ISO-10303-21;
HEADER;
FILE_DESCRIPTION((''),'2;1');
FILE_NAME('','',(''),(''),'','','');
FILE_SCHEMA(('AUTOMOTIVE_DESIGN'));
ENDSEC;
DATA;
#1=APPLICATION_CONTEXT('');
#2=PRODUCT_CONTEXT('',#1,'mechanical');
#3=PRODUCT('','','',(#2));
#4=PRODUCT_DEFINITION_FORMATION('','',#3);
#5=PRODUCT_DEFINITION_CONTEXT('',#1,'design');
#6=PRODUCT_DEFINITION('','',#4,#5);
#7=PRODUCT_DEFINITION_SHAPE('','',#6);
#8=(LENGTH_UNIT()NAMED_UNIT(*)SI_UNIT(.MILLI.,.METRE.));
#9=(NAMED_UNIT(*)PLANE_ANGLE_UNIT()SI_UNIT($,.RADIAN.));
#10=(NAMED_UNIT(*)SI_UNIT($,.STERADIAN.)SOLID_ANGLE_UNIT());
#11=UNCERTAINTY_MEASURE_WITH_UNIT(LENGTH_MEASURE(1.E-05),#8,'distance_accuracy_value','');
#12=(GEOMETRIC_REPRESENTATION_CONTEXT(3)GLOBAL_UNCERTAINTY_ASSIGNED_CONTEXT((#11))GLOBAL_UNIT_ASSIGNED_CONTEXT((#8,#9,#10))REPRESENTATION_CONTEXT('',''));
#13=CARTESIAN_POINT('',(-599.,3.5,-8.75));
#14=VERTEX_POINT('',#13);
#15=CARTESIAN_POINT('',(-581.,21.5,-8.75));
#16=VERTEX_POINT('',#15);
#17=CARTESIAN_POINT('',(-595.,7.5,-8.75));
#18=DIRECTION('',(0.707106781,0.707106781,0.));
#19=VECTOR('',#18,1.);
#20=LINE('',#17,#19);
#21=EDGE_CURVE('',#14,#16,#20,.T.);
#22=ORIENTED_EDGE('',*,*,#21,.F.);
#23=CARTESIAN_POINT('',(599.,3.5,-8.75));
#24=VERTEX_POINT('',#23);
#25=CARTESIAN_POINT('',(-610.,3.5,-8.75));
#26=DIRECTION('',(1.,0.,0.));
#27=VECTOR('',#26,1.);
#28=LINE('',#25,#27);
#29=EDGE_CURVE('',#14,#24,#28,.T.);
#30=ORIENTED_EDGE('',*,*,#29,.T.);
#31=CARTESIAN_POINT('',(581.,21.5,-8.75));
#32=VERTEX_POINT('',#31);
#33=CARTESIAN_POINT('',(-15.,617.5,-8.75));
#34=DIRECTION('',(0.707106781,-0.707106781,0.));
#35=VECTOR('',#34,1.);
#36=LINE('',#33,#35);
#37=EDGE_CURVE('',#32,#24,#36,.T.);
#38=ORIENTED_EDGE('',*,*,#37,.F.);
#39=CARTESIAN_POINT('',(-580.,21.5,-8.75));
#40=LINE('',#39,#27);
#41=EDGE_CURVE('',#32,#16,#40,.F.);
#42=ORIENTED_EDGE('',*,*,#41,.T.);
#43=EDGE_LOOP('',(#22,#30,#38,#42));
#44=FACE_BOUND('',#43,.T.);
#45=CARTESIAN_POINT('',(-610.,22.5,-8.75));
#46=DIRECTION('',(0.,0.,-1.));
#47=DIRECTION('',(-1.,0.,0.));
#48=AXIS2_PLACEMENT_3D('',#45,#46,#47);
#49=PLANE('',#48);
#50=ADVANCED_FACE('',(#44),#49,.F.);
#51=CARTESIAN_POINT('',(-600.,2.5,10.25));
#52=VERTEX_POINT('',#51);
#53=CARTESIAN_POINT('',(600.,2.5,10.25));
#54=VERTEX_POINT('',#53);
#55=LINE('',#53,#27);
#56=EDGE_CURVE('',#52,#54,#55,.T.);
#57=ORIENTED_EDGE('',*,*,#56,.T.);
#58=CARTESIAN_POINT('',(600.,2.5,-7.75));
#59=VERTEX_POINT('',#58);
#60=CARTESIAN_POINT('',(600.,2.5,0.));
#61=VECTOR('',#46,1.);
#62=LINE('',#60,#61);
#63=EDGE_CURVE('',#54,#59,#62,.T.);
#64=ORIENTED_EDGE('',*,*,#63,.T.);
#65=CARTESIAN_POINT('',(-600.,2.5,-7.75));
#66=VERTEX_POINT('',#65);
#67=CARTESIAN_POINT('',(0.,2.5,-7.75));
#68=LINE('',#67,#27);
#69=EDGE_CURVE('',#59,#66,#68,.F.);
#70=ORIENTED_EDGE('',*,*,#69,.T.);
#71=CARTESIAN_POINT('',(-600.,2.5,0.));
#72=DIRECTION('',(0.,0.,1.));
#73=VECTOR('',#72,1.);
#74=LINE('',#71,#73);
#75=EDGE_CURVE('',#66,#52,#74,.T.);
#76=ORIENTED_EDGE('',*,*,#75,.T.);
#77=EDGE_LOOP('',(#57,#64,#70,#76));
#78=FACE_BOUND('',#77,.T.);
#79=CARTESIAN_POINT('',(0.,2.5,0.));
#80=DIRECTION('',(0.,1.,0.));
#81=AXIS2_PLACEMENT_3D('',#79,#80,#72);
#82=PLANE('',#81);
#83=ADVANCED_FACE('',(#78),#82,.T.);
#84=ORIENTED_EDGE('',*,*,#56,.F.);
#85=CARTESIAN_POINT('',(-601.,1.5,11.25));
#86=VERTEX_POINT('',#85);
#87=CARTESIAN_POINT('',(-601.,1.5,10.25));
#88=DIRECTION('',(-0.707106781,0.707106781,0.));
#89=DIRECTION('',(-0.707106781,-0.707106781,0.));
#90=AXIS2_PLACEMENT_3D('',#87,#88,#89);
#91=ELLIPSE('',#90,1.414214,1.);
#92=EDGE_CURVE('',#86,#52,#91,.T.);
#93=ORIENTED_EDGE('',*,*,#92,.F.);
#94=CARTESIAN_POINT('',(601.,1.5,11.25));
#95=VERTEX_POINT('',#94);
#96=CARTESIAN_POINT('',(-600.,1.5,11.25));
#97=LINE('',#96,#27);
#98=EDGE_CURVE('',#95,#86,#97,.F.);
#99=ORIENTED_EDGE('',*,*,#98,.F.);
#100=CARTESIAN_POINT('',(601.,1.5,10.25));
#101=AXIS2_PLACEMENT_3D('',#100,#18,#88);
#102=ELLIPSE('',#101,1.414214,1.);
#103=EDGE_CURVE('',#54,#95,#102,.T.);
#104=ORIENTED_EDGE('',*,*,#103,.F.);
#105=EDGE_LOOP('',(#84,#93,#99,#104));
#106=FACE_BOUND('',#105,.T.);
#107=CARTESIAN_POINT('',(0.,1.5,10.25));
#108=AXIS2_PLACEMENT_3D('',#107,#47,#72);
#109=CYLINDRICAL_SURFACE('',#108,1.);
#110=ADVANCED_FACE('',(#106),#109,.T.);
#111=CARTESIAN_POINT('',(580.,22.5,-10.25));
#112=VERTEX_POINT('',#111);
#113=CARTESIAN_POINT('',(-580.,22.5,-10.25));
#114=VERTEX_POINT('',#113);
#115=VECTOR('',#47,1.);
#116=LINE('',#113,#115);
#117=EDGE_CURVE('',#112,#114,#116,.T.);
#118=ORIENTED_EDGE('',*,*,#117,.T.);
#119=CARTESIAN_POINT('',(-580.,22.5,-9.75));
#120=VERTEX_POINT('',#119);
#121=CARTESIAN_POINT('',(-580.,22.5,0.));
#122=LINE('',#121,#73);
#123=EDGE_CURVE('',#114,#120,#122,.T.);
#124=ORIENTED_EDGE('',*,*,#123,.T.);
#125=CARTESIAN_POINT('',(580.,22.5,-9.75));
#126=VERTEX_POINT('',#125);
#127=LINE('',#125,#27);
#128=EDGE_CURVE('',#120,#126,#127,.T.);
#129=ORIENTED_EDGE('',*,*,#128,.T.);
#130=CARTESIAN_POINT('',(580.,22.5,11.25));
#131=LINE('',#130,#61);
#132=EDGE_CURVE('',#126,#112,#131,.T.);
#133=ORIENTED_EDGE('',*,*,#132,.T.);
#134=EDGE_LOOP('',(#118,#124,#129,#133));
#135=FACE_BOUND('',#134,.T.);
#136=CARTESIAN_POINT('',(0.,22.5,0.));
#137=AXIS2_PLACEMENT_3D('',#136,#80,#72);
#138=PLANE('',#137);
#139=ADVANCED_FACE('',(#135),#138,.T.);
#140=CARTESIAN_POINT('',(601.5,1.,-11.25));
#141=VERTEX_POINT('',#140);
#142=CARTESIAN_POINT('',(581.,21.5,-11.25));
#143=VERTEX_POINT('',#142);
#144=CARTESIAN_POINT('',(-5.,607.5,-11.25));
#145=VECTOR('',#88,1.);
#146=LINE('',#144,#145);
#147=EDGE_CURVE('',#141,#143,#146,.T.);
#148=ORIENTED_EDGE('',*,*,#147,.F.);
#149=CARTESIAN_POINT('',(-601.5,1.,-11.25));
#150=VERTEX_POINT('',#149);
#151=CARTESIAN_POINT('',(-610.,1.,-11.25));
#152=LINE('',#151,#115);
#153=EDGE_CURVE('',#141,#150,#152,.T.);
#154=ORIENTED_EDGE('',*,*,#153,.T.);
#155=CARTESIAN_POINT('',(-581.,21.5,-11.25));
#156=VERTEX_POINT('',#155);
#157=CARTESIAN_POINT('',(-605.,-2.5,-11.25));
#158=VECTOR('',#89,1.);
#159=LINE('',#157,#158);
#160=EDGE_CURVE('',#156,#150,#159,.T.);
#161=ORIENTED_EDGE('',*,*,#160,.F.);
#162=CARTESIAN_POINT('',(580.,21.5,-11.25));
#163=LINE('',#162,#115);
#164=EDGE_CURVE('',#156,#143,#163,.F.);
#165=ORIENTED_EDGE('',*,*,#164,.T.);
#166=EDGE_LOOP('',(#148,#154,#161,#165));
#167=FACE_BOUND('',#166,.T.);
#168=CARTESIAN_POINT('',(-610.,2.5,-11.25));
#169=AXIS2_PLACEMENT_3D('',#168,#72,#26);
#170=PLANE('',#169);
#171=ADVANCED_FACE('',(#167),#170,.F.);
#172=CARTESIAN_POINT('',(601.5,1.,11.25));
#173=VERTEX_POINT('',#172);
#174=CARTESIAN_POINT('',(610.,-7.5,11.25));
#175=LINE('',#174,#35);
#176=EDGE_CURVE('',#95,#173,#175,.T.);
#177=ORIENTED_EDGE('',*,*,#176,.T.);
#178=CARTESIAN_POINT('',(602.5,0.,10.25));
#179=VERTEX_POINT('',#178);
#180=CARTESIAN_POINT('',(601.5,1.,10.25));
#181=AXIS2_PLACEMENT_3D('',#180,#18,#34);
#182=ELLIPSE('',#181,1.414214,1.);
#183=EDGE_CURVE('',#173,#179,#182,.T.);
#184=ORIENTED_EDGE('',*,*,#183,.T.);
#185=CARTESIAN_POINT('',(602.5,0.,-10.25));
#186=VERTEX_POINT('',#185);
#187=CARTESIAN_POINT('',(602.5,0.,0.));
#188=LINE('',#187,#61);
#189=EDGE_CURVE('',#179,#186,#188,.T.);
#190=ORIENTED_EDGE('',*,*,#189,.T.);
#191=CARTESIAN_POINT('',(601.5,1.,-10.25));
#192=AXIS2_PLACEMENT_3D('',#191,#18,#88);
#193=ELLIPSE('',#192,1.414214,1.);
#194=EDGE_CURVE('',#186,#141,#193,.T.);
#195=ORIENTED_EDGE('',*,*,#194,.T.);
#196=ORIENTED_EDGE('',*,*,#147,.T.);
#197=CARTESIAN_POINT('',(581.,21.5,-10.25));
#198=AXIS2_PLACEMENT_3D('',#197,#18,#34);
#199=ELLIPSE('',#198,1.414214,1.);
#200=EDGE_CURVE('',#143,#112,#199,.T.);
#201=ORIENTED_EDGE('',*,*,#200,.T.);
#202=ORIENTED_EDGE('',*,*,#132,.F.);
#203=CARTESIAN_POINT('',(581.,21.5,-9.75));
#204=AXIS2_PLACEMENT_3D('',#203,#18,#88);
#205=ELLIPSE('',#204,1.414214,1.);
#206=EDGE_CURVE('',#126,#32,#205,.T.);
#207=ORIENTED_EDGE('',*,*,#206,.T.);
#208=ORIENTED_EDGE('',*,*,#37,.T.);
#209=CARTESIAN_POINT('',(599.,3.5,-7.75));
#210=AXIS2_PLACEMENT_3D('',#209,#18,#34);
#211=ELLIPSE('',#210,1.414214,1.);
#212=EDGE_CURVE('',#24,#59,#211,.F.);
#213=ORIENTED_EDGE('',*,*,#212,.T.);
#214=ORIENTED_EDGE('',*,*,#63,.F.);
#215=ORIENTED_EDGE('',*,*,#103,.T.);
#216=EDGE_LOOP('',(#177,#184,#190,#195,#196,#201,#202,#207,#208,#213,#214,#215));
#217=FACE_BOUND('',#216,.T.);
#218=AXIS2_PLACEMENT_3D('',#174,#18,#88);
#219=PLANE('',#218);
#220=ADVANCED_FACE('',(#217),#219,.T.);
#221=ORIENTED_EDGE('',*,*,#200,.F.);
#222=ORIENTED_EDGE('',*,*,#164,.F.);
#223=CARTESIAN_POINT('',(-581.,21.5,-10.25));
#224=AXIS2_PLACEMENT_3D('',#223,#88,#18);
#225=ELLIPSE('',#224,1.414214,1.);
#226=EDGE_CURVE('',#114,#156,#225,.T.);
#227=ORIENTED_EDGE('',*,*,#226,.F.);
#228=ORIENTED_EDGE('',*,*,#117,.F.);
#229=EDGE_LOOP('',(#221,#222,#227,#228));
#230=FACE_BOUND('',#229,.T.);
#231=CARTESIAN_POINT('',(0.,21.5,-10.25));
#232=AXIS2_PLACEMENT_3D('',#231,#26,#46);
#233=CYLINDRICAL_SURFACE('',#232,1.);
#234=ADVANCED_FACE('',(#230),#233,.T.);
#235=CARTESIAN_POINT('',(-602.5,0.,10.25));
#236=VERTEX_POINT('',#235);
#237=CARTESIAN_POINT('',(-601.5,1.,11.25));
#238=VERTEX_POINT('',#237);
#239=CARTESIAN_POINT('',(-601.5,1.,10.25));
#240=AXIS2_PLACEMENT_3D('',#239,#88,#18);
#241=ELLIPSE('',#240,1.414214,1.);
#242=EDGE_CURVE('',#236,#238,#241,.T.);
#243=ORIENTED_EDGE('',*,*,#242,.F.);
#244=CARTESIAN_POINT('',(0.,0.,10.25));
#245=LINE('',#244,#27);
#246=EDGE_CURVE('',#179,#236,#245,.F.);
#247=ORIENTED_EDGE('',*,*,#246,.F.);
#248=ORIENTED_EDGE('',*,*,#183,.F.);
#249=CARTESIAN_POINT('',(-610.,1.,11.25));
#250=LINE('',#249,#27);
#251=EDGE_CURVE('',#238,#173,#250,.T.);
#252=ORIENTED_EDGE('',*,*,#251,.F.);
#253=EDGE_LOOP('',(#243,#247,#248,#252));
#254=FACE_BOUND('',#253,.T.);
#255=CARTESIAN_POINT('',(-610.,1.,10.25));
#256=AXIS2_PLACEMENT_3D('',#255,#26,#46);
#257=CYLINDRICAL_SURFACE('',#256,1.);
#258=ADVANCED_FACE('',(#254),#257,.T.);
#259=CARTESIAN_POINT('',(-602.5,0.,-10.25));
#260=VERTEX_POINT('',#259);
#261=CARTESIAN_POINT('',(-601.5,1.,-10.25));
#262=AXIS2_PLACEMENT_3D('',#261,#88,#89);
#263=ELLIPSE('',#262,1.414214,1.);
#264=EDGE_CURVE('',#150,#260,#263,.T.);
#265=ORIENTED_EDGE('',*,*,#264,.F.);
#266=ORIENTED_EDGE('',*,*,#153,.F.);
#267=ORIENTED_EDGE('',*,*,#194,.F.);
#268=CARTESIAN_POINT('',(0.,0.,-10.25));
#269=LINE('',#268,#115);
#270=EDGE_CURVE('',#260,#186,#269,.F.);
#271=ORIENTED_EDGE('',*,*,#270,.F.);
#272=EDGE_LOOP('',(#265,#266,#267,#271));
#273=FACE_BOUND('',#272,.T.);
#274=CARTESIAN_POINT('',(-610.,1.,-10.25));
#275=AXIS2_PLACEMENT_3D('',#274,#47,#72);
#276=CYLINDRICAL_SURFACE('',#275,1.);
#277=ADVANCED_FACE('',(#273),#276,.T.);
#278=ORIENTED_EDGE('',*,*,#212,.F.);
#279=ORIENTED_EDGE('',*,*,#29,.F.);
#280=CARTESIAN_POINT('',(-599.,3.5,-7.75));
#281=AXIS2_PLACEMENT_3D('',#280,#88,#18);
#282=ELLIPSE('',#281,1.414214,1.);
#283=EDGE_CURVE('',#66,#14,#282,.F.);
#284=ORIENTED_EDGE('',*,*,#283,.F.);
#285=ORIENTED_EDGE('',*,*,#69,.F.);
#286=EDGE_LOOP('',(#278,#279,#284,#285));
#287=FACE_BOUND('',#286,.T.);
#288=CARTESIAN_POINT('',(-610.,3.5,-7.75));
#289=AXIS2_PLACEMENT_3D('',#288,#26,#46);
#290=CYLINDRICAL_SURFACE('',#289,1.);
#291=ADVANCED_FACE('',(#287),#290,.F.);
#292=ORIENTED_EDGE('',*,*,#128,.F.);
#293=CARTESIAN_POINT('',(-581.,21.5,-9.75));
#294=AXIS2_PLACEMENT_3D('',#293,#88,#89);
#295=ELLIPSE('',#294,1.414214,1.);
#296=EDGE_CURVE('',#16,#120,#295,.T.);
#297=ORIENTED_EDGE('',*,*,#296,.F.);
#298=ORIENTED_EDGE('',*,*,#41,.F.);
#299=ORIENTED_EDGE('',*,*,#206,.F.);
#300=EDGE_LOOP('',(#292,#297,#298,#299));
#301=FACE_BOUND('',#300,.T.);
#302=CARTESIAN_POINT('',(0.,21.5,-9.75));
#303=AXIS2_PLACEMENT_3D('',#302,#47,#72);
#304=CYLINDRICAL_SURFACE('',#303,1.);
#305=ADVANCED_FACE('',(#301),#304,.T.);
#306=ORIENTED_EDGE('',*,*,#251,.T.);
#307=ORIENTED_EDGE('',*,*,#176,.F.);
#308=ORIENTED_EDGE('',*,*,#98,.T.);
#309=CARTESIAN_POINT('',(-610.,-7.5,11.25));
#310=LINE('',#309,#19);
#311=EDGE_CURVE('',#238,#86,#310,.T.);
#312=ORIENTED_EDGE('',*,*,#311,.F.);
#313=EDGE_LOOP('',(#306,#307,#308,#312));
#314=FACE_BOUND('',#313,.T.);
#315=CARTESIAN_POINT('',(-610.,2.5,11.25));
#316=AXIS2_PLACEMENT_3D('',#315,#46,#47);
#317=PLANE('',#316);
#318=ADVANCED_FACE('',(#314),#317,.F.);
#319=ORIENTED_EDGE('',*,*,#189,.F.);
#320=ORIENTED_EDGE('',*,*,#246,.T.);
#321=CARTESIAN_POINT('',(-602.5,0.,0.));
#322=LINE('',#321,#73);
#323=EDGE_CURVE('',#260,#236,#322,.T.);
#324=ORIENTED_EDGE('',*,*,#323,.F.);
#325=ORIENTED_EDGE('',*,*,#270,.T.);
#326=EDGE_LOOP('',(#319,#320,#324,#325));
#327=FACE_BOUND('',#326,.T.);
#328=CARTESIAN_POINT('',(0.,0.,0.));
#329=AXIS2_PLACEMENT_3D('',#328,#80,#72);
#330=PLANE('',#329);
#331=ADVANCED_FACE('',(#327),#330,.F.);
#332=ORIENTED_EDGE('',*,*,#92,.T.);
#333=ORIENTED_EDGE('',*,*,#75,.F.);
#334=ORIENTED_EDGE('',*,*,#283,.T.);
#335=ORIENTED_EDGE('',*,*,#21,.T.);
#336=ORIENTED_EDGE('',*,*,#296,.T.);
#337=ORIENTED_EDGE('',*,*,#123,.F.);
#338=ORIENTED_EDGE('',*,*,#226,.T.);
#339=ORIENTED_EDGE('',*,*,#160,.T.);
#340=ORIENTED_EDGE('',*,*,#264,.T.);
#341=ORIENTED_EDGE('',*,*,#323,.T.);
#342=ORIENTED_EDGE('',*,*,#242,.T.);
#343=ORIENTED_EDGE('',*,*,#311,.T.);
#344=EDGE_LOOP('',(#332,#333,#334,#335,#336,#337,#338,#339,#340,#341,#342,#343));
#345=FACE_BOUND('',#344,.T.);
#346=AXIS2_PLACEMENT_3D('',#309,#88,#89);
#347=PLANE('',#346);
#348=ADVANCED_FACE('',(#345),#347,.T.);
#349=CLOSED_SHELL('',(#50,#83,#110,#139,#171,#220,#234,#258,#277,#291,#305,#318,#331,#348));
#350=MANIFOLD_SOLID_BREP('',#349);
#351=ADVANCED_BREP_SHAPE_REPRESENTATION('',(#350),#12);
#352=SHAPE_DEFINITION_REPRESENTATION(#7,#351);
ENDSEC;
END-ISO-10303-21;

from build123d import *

# Parameters (mm, degrees)
SKETCH1_W               = 1220
SKETCH1_H               = 22.5
BOSS_EXTRUDE1_DEPTH     = 2.5
SKETCH2_W               = 1220
SKETCH2_H               = 2.5
BOSS_EXTRUDE2_DEPTH     = 20
CUT_EXTRUDE1_DEPTH      = 611.742376129
CUT_EXTRUDE1_DEPTH_BACK = 25
FILLET2_R               = 1


with BuildPart() as part:
    # Sketch1 → Boss-Extrude1 (new body)
    with BuildSketch(Plane(origin=(0, 0, 0), x_dir=(1, 0, 0), z_dir=(0, 1, 0))):
        Rectangle(SKETCH1_W, SKETCH1_H)
    extrude(amount=BOSS_EXTRUDE1_DEPTH)

    # Sketch2 → Boss-Extrude2 (add)
    with BuildSketch(Plane(origin=(0, 2.5, 0), x_dir=(1, 0, 0), z_dir=(0, 1, 0))):
        with Locations((0, 10)):
            Rectangle(SKETCH2_W, SKETCH2_H)
    extrude(amount=BOSS_EXTRUDE2_DEPTH)

    # Sketch3 → Cut-Extrude1 (cut, two sides: drawn at the far end of the back side and taken through both)
    with BuildSketch(Plane.XY.offset(-8.75).offset(-CUT_EXTRUDE1_DEPTH_BACK)):
        Polygon((-610, 22.5), (-610, -7.5), (-580, 22.5), align=None)
        Polygon((610, 22.5), (610, -7.5), (580, 22.5), align=None)
    extrude(amount=CUT_EXTRUDE1_DEPTH + CUT_EXTRUDE1_DEPTH_BACK, mode=Mode.SUBTRACT)

    # Fillet2
    fillet2_edges = [part.edges().sort_by_distance(p)[0] for p in [
        (0, 22.5, -8.75),
        (0, 2.5, -8.75),
        (0, 0, 11.25),
        (0, 2.5, 11.25),
        (0, 22.5, -11.25),
        (0, 0, -11.25),
    ]]
    fillet(fillet2_edges, radius=FILLET2_R)


solid = part.part
